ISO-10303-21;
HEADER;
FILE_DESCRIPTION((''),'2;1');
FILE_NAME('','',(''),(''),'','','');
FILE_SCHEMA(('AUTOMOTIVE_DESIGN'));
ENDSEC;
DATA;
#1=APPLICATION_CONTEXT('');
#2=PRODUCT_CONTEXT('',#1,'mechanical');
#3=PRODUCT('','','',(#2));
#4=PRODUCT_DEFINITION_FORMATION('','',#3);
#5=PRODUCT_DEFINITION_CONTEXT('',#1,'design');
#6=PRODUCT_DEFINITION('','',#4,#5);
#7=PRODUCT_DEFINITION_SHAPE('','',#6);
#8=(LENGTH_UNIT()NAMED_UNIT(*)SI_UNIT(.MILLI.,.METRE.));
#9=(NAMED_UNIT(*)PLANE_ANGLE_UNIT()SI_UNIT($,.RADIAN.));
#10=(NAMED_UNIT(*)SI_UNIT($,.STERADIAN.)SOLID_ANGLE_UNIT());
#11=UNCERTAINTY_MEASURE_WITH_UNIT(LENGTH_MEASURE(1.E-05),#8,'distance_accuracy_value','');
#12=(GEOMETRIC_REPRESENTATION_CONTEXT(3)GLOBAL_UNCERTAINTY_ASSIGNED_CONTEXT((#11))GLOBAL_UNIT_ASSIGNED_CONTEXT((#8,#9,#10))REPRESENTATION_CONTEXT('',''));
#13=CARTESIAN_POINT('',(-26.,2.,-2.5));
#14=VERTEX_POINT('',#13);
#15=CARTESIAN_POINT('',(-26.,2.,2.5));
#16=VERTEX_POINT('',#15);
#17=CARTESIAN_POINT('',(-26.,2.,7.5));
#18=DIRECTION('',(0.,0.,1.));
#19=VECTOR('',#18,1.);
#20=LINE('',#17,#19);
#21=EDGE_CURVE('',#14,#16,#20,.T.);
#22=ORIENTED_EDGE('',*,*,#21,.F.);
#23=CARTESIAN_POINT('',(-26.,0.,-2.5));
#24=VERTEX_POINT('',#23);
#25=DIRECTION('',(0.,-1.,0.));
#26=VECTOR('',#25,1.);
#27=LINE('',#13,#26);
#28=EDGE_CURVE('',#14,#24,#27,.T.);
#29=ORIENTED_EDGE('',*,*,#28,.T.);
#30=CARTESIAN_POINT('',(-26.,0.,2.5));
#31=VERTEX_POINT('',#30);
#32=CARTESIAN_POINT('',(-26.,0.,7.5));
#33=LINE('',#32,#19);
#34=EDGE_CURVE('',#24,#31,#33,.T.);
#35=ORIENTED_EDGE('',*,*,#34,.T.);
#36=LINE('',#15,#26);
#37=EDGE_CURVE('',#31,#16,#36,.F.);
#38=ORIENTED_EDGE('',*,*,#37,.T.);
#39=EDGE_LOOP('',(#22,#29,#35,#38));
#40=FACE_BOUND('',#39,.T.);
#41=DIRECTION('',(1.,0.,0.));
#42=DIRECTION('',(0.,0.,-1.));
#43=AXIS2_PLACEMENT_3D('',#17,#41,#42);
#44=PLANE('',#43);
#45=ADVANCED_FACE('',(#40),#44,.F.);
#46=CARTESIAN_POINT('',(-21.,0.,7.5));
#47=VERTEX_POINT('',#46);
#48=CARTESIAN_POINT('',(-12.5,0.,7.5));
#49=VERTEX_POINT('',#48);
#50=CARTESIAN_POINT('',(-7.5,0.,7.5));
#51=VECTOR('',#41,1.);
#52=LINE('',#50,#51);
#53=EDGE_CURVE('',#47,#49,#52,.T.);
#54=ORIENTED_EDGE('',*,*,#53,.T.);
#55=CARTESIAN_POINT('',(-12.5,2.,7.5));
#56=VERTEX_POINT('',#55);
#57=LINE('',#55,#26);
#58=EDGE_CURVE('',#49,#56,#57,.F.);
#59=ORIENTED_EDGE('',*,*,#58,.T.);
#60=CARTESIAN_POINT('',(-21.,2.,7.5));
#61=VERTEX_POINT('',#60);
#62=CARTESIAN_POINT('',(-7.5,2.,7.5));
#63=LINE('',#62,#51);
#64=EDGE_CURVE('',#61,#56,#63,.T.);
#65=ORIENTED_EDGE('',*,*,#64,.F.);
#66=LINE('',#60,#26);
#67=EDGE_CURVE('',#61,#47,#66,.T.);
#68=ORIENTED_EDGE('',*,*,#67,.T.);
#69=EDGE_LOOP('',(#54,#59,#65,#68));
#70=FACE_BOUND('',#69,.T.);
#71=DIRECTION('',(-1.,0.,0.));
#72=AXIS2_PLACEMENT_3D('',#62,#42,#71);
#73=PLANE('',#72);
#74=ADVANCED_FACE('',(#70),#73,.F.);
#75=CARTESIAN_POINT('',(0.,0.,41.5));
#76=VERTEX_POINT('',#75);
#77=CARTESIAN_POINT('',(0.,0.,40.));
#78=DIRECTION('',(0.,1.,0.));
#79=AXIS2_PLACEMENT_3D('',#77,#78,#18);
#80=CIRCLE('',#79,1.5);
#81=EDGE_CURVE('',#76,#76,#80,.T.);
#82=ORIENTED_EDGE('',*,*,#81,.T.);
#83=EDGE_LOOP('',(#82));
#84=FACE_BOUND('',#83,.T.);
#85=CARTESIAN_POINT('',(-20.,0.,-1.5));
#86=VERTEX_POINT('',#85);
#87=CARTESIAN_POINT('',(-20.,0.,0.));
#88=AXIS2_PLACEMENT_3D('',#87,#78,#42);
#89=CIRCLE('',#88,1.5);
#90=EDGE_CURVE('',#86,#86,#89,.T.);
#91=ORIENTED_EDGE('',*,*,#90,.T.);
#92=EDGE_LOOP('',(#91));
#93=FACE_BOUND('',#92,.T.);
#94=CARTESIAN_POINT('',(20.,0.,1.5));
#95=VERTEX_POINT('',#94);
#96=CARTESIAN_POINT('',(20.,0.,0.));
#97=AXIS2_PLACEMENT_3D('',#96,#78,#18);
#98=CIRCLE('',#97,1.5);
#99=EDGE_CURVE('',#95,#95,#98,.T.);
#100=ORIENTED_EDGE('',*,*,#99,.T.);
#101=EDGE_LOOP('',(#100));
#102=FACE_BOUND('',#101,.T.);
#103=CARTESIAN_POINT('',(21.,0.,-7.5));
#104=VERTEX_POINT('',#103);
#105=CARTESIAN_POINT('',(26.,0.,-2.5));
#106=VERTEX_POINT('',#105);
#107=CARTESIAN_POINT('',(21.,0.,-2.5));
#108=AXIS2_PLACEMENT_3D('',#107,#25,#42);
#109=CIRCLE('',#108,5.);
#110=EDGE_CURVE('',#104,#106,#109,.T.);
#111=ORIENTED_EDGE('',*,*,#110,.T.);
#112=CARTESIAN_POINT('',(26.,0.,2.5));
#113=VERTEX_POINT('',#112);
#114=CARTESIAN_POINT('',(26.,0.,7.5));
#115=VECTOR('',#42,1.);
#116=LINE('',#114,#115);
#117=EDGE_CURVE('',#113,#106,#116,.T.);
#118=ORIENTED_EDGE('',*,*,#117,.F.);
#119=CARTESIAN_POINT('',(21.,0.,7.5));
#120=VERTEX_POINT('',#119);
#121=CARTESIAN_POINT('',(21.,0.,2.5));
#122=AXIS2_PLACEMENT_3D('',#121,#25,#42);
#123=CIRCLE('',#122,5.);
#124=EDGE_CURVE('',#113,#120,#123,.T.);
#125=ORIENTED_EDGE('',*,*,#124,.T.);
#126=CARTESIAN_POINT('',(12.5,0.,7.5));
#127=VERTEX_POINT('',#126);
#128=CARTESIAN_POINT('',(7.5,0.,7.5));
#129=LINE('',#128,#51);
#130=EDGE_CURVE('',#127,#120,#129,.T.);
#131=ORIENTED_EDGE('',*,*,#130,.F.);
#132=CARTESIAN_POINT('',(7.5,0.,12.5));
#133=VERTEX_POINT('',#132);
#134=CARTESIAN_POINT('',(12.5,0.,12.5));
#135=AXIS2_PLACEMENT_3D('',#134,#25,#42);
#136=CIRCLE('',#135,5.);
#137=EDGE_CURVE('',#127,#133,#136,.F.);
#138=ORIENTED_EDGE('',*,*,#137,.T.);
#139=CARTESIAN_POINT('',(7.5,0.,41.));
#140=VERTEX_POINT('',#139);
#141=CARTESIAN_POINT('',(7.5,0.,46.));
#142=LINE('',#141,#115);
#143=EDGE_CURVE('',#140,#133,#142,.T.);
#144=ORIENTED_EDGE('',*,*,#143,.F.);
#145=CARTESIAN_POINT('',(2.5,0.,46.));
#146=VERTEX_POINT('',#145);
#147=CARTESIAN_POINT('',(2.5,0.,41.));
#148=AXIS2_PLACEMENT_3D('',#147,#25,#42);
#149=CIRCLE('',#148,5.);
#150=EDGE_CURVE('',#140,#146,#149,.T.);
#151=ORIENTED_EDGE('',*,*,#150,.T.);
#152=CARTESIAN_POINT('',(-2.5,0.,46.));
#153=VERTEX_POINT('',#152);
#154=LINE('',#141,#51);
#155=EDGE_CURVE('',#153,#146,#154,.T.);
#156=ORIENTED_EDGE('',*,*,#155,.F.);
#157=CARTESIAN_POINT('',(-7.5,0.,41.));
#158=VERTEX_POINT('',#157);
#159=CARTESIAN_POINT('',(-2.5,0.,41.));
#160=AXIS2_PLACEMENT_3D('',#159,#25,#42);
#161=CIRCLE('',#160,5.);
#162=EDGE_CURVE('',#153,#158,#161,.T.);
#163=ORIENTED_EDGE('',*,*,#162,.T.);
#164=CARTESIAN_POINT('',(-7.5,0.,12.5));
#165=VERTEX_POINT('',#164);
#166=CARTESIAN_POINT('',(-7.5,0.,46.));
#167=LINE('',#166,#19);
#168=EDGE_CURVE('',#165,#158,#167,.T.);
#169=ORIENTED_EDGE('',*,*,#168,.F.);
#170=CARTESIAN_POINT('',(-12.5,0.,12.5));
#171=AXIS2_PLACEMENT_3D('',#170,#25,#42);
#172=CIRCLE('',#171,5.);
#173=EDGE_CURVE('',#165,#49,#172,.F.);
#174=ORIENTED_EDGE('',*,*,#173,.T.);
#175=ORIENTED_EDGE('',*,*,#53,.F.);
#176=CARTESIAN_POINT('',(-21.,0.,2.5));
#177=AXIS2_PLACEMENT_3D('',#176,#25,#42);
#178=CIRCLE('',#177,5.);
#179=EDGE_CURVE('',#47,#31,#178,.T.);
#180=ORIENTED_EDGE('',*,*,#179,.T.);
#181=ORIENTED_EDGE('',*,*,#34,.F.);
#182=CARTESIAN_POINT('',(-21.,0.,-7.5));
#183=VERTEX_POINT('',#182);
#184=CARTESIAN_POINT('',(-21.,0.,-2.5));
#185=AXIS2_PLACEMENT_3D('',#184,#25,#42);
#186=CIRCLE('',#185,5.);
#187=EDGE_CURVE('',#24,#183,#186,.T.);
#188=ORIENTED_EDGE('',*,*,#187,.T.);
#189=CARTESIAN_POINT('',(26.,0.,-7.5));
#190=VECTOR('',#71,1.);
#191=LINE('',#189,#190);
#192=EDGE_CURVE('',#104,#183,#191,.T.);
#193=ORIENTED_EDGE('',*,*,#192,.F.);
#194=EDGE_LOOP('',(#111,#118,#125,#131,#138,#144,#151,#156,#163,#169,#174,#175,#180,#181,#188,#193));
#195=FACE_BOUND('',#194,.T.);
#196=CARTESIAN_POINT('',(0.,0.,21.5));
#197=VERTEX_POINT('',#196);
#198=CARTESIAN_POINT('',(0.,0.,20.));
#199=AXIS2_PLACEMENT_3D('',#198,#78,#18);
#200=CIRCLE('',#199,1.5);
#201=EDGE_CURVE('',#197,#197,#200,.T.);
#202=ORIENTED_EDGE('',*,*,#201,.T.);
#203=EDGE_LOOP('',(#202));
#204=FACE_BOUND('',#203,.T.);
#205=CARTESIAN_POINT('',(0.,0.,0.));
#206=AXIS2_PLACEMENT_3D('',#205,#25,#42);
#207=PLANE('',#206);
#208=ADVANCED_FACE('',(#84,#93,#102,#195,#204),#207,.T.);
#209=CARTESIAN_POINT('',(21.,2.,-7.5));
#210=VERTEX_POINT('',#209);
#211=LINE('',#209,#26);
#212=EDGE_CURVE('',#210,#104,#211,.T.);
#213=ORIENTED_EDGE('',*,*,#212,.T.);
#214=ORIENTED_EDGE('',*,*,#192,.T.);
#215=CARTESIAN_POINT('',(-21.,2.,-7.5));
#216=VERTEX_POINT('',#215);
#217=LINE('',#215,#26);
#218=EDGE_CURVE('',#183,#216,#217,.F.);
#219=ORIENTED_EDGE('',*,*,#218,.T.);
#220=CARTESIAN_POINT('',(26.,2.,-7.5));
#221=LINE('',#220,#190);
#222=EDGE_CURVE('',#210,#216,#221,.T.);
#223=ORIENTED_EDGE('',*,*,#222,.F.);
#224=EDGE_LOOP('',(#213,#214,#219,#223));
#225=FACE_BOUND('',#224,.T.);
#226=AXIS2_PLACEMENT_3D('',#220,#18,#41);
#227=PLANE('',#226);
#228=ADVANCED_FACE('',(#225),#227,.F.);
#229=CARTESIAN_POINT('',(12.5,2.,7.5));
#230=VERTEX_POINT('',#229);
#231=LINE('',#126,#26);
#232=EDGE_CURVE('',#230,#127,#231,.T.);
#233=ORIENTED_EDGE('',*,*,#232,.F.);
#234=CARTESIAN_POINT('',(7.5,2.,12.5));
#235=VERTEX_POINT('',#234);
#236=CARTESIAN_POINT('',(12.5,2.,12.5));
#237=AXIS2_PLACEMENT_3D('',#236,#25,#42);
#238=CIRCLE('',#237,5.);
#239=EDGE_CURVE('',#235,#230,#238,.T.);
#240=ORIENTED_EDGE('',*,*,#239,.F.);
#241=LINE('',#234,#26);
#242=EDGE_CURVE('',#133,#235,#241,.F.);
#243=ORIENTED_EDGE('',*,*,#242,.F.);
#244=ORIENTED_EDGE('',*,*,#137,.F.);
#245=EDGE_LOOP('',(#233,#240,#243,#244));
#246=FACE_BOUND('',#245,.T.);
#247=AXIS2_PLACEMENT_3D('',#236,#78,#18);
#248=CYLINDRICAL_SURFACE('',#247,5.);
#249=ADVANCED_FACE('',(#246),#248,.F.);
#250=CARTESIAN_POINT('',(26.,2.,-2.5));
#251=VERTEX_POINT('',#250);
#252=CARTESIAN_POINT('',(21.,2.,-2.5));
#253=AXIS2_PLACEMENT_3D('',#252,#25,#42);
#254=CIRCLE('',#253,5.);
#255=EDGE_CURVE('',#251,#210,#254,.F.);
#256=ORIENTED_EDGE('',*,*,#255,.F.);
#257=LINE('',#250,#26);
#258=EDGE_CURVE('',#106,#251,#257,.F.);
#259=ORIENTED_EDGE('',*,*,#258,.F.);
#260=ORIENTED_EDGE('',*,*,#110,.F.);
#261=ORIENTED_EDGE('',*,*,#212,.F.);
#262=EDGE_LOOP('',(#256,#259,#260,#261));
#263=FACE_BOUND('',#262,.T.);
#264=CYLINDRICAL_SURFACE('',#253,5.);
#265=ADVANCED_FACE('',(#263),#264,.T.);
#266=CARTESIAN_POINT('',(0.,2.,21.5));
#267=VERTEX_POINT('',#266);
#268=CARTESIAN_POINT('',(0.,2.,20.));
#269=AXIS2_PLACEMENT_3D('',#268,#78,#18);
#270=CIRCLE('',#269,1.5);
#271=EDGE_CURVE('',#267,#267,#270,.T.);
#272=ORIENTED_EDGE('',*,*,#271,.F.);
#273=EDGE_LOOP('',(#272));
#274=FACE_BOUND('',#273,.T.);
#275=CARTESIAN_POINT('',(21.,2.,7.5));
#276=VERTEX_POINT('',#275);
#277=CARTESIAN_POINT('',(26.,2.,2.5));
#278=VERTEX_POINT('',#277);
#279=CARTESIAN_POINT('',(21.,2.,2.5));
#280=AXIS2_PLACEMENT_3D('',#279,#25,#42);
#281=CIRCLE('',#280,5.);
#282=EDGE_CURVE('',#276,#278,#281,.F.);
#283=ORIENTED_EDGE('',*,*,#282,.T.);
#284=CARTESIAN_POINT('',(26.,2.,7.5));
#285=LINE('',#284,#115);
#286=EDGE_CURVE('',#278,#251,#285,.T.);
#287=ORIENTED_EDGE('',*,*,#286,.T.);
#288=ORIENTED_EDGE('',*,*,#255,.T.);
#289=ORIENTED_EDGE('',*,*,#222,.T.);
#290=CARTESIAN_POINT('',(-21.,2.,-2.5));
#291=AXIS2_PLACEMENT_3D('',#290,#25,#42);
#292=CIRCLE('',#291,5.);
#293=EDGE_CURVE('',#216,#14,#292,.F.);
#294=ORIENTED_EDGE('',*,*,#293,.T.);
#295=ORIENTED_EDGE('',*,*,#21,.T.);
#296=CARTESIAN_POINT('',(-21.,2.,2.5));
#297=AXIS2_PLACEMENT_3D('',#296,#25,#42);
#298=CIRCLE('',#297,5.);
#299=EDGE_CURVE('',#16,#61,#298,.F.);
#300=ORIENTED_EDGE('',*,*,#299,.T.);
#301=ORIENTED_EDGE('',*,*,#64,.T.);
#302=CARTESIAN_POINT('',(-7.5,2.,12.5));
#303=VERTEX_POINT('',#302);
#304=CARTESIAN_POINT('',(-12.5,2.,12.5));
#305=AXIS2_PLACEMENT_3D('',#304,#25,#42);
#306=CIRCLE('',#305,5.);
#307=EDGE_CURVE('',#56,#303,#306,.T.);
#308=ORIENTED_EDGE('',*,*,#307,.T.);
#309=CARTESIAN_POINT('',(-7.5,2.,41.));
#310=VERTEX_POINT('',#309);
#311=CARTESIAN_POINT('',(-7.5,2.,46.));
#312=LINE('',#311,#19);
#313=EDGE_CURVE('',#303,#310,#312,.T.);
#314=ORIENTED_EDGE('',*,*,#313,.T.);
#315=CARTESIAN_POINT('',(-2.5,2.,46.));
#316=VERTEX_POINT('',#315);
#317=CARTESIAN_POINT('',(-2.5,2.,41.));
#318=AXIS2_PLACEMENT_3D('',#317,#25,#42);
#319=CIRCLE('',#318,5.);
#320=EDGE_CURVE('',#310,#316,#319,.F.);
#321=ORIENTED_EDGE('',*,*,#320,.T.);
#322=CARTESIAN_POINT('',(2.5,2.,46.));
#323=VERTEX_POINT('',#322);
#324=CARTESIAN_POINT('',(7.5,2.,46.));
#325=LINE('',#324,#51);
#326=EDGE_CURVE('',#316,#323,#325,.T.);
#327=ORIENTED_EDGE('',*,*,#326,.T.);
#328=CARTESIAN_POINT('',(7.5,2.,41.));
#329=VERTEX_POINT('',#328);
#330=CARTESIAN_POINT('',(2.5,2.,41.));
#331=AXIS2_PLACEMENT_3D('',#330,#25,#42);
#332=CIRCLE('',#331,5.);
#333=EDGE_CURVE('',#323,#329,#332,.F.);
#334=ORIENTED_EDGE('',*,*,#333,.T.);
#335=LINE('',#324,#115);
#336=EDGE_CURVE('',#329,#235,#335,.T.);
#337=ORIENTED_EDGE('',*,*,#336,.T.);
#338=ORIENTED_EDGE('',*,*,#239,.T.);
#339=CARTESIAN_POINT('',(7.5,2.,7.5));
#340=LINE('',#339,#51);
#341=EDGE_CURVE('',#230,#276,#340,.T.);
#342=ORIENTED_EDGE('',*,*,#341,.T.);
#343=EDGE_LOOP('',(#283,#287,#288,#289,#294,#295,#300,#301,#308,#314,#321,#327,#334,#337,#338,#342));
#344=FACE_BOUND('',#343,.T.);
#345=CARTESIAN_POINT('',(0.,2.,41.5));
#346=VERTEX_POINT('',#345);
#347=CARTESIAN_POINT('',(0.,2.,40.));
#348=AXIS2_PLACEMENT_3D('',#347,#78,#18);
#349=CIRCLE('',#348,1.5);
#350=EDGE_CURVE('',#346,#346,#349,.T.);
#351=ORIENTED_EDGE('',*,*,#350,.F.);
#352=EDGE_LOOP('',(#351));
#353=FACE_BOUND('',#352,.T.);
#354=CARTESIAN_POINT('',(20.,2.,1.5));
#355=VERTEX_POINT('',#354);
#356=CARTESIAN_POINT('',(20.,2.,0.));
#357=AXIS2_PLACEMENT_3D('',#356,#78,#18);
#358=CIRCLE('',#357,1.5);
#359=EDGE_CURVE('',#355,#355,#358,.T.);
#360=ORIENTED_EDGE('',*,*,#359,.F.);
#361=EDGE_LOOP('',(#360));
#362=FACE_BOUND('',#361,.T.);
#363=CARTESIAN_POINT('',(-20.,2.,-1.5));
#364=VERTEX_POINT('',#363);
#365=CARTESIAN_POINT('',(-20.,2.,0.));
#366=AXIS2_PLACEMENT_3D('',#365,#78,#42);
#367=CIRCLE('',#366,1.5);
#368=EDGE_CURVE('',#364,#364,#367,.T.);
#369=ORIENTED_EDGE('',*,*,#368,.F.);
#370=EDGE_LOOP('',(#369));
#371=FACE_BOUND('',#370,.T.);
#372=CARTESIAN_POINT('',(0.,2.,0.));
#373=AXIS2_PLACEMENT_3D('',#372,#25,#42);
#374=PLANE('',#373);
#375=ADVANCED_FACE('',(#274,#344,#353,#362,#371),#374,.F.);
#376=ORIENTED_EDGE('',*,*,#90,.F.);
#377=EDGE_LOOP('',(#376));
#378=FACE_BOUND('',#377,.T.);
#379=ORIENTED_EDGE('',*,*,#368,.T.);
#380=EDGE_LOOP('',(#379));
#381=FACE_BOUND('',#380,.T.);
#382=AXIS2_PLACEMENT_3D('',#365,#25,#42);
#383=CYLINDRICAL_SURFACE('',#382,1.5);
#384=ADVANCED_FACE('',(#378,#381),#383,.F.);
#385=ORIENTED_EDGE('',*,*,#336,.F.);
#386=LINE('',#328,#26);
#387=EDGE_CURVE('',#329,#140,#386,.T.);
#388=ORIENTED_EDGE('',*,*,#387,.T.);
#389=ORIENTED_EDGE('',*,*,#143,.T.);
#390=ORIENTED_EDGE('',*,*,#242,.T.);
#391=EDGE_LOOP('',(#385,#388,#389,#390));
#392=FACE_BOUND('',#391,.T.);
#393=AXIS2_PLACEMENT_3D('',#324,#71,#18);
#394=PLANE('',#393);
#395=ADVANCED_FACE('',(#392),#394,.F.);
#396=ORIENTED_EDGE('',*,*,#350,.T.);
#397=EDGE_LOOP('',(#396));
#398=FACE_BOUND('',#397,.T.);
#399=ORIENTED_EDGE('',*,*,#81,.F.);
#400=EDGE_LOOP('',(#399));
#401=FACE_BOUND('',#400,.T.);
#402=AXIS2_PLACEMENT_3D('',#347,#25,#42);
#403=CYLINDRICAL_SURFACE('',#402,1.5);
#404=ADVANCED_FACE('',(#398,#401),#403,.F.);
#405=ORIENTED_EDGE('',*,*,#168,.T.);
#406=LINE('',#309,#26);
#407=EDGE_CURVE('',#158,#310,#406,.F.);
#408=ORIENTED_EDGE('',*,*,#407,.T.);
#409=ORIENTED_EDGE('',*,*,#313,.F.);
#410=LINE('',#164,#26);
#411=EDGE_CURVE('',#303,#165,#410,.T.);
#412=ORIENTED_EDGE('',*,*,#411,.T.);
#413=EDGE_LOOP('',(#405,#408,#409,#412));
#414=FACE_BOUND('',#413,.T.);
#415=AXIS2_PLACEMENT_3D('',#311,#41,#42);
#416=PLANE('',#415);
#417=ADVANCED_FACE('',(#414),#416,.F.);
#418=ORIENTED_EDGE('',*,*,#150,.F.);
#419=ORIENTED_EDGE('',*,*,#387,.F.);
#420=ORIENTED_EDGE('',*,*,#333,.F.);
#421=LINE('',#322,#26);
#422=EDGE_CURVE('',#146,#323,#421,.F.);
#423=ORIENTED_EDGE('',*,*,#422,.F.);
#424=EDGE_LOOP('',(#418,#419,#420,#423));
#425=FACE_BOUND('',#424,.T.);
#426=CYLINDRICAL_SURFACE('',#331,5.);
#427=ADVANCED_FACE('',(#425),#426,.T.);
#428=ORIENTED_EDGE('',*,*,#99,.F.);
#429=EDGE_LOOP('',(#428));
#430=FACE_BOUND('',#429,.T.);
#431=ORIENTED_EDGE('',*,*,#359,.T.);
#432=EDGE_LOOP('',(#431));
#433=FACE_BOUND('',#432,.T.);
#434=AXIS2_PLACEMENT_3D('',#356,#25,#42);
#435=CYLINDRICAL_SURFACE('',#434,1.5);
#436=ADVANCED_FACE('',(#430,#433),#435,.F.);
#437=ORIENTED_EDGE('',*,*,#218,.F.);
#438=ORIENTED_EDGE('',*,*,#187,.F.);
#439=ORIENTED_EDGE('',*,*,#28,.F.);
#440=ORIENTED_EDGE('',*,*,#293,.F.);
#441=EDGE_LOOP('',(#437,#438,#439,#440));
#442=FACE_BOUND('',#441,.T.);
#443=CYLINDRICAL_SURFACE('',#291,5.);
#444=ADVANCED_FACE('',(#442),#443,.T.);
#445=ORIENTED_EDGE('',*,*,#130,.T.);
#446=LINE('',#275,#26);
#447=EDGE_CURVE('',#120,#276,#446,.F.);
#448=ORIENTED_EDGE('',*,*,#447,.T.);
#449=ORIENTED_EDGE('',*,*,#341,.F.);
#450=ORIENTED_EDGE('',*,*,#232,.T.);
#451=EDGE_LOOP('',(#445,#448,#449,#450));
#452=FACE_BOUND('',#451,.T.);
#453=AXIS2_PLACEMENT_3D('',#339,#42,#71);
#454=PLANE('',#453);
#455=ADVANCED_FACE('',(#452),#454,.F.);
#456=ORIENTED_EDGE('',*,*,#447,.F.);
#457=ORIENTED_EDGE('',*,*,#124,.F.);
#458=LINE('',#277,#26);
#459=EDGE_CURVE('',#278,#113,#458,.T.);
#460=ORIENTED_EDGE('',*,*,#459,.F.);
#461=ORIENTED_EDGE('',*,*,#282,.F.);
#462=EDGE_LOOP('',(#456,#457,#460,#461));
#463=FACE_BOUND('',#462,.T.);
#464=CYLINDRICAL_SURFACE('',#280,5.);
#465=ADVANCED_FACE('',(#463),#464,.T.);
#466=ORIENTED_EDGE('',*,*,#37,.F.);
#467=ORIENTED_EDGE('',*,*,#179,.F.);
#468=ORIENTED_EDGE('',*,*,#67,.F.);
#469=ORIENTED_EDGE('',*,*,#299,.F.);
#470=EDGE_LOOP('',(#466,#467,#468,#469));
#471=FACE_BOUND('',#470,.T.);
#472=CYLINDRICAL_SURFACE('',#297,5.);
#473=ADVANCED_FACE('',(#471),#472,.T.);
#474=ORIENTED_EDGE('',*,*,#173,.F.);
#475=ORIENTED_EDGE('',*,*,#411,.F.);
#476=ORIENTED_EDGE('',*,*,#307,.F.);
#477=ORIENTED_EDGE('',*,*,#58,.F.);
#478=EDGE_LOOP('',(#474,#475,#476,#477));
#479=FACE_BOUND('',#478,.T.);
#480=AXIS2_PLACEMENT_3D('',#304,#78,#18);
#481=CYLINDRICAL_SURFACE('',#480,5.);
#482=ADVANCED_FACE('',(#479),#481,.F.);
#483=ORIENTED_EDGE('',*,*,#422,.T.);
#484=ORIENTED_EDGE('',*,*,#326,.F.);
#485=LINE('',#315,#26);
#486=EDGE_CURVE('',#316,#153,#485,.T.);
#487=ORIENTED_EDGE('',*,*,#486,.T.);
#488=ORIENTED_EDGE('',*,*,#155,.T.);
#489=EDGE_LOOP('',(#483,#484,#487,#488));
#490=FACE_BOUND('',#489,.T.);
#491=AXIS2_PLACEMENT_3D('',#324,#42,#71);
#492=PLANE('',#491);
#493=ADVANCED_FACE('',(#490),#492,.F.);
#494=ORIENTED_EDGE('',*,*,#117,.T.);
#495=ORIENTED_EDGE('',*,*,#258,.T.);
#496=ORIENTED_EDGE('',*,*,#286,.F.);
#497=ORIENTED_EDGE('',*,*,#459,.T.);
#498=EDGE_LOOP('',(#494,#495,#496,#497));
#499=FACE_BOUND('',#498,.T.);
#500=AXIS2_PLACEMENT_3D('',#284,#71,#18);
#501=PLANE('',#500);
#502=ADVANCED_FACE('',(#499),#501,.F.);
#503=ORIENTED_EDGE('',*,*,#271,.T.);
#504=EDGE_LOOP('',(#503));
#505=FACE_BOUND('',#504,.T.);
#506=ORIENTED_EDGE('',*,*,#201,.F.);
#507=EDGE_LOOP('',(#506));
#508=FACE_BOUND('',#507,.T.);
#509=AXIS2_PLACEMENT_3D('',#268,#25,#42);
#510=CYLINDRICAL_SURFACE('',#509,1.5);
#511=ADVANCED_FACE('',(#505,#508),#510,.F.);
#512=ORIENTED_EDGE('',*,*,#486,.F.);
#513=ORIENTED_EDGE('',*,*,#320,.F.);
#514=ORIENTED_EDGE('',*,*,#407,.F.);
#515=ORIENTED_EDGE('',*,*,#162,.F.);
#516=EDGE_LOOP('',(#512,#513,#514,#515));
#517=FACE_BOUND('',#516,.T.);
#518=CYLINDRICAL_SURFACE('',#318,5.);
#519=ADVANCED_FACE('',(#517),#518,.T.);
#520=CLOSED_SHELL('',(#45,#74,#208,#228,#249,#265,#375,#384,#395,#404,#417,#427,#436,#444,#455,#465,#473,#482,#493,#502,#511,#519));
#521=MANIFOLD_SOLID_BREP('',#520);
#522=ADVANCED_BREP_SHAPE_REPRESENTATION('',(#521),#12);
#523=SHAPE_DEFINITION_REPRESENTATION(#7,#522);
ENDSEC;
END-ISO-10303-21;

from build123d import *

# Parameters (mm, degrees)
SKETCH1_R           = 1.5
BOSS_EXTRUDE1_DEPTH = 2
FILLET1_R           = 5


with BuildPart() as part:
    # Sketch1 → Boss-Extrude1 (new body)
    with BuildSketch(Plane(origin=(0, 0, 0), x_dir=(1, 0, 0), z_dir=(0, 1, 0))):
        Polygon((7.5, -46), (7.5, -7.5), (26, -7.5), (26, 7.5), (-26, 7.5), (-26, -7.5), (-7.5, -7.5), (-7.5, -46), align=None)
        with Locations((0, -40)):
            Circle(SKETCH1_R, mode=Mode.SUBTRACT)
        with Locations((0, -20)):
            Circle(SKETCH1_R, mode=Mode.SUBTRACT)
        with Locations((20, 0)):
            Circle(SKETCH1_R, mode=Mode.SUBTRACT)
        with Locations((-20, 0)):
            Circle(SKETCH1_R, mode=Mode.SUBTRACT)
    extrude(amount=BOSS_EXTRUDE1_DEPTH)

    # Fillet1
    fillet1_edges = [part.edges().sort_by_distance(p)[0] for p in [
        (-7.5, 1, 46),
        (-7.5, 1, 7.5),
        (-26, 1, 7.5),
        (-26, 1, -7.5),
        (26, 1, -7.5),
        (26, 1, 7.5),
        (7.5, 1, 7.5),
        (7.5, 1, 46),
    ]]
    fillet(fillet1_edges, radius=FILLET1_R)


solid = part.part
